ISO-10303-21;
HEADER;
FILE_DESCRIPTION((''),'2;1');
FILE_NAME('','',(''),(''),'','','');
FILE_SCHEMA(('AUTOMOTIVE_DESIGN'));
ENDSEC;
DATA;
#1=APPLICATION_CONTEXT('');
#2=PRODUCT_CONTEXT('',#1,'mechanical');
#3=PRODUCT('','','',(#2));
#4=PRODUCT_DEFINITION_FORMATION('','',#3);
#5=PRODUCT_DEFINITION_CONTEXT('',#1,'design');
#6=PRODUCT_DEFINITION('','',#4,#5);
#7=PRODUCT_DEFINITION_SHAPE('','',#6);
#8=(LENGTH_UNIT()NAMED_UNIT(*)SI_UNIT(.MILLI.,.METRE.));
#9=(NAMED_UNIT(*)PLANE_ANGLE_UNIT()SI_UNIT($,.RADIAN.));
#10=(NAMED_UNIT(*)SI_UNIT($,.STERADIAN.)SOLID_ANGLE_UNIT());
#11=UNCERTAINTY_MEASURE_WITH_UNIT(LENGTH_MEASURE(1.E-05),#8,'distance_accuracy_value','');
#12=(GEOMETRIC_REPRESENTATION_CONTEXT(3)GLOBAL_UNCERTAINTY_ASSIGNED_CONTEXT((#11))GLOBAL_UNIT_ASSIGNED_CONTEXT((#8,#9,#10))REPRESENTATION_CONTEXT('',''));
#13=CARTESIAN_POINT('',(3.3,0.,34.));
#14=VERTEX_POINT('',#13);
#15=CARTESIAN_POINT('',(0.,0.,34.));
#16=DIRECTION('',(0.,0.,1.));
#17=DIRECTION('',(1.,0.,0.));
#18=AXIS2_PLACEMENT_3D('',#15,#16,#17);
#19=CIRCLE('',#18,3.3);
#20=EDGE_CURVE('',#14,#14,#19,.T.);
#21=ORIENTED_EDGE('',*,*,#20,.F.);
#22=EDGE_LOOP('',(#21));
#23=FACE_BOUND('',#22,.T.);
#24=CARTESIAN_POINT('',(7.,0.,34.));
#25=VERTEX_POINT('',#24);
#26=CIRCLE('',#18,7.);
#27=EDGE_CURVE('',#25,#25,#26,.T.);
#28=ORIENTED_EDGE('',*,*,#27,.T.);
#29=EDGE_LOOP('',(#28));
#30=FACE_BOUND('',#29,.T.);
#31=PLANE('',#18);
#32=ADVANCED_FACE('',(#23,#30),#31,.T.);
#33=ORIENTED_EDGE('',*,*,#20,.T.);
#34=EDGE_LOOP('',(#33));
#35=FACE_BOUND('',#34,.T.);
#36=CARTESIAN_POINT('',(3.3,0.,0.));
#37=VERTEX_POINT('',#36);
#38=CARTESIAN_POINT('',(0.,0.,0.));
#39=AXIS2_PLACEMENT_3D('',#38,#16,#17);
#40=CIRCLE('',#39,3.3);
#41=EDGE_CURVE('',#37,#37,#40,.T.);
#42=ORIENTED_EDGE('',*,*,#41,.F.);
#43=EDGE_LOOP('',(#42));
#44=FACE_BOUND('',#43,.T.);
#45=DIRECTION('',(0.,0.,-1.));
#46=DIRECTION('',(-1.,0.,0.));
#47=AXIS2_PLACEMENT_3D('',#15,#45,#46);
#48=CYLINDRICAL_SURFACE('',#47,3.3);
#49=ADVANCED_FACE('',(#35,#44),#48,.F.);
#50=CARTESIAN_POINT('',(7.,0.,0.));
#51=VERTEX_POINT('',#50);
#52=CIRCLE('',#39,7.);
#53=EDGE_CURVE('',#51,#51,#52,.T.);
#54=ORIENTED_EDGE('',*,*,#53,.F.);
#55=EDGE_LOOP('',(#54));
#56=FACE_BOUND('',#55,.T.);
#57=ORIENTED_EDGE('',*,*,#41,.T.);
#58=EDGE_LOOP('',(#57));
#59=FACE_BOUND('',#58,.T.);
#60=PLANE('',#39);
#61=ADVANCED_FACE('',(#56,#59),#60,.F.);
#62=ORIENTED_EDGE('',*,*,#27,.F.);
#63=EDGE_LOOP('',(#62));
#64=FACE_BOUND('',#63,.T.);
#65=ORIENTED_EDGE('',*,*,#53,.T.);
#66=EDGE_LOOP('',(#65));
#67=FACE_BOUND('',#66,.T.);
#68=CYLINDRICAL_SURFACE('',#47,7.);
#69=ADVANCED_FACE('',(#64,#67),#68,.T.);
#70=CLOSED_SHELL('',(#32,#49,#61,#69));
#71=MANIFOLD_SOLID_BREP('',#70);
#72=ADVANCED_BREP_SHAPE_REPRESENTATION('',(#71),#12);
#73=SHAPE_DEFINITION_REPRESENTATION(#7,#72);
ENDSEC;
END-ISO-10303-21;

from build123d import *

# Parameters (mm, degrees)
S01_ANNULAR_SECTION_R      = 7
S01_ANNULAR_SECTION_R_2    = 3.3
F_01_ANNULAR_SECTION_DEPTH = 34


with BuildPart() as part:
    # S01 - Annular section → 01 - Annular section (new body)
    with BuildSketch(Plane.XY):
        Circle(S01_ANNULAR_SECTION_R)
        Circle(S01_ANNULAR_SECTION_R_2, mode=Mode.SUBTRACT)
    extrude(amount=F_01_ANNULAR_SECTION_DEPTH)


solid = part.part
